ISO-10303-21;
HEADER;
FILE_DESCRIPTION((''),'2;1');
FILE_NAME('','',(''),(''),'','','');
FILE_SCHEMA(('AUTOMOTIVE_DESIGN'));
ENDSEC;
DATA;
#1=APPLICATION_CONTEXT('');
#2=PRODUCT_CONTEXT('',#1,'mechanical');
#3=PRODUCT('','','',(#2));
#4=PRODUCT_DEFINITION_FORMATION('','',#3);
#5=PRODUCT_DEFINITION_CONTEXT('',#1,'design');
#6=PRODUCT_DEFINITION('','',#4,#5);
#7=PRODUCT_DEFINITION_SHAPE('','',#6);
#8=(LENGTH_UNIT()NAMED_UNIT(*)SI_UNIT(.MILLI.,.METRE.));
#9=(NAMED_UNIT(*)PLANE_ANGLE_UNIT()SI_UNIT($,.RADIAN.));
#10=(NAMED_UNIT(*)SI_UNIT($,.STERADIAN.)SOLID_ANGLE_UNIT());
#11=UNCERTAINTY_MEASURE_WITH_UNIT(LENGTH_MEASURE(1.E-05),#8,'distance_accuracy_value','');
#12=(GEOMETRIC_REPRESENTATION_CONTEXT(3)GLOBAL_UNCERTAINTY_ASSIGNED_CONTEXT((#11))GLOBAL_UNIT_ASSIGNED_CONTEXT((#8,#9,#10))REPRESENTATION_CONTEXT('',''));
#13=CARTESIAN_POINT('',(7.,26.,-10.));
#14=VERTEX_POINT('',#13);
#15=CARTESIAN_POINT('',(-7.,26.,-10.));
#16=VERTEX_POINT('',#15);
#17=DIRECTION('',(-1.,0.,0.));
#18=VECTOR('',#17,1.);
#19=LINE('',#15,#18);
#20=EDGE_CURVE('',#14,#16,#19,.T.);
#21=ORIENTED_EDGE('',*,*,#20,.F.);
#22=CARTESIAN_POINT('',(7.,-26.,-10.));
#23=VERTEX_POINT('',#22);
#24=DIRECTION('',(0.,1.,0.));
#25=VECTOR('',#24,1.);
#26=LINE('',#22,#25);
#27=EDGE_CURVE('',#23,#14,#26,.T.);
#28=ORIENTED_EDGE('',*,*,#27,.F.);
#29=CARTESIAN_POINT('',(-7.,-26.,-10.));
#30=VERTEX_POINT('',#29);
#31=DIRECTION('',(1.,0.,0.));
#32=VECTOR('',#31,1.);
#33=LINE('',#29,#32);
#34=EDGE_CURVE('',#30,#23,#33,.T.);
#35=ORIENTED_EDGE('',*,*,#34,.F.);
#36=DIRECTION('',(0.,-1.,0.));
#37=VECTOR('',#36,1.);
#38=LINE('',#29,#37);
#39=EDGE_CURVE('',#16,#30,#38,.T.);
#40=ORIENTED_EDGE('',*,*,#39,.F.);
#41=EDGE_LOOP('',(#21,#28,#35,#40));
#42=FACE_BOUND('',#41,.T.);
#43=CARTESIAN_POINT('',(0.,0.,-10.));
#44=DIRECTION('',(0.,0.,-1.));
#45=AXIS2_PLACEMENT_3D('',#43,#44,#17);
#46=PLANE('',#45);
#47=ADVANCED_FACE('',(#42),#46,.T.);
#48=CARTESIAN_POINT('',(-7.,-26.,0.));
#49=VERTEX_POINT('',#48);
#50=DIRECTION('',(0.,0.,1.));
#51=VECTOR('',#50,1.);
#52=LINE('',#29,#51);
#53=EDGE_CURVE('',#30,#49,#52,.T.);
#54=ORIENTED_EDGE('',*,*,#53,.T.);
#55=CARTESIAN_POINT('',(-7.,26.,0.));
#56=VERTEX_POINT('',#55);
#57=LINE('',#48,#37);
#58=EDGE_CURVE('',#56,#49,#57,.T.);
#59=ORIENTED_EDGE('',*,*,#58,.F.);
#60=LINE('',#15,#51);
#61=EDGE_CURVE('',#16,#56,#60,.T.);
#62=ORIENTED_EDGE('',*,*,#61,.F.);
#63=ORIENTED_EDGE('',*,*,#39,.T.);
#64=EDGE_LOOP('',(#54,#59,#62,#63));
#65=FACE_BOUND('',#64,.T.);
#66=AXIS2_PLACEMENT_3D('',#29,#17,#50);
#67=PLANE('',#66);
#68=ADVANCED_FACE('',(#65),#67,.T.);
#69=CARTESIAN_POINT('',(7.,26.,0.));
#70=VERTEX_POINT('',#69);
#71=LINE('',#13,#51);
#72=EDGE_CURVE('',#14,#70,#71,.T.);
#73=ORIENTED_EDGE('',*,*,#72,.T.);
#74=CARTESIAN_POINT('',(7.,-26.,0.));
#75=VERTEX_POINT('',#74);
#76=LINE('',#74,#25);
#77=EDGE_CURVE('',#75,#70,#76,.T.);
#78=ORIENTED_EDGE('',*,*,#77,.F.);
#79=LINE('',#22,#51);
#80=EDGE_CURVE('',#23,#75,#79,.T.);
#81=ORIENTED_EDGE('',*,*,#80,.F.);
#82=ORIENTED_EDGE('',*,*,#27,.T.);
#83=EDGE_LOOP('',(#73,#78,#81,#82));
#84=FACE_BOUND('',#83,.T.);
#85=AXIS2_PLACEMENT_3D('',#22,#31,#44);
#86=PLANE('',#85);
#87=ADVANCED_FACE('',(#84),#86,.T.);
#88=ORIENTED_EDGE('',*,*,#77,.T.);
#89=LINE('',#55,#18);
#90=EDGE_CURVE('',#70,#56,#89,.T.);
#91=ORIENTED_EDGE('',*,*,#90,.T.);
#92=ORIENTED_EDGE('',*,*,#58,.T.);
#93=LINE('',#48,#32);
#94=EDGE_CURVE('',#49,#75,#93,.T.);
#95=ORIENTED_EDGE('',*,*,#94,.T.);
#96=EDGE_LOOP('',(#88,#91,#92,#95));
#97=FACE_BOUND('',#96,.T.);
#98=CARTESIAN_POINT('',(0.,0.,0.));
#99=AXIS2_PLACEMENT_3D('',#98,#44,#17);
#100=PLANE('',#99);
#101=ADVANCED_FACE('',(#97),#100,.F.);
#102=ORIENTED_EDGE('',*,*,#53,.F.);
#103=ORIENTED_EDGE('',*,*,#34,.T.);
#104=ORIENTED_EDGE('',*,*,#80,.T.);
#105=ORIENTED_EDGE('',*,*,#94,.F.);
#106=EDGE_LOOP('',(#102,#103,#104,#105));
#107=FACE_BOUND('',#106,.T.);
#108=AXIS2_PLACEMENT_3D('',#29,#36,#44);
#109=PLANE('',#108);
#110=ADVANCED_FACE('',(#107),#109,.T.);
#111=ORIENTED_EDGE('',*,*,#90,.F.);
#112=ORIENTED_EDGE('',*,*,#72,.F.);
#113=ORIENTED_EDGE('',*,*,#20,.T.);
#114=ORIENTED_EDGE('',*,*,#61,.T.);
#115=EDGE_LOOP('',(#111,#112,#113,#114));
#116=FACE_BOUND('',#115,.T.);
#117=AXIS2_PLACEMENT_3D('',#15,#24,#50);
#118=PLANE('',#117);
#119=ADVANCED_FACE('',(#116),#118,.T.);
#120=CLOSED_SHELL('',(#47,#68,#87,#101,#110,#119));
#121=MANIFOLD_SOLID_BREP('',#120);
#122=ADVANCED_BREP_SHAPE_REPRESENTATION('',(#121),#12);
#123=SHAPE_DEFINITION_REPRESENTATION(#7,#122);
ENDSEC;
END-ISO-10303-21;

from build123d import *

# Parameters (mm, degrees)
SKETCH_1_W      = 14
SKETCH_1_H      = 52
EXTRUDE_1_DEPTH = 10


with BuildPart() as part:
    # 草图1 → 凸台-拉伸1 (new body)
    with BuildSketch(Plane.XY):
        Rectangle(SKETCH_1_W, SKETCH_1_H)
    extrude(amount=-EXTRUDE_1_DEPTH)


solid = part.part
